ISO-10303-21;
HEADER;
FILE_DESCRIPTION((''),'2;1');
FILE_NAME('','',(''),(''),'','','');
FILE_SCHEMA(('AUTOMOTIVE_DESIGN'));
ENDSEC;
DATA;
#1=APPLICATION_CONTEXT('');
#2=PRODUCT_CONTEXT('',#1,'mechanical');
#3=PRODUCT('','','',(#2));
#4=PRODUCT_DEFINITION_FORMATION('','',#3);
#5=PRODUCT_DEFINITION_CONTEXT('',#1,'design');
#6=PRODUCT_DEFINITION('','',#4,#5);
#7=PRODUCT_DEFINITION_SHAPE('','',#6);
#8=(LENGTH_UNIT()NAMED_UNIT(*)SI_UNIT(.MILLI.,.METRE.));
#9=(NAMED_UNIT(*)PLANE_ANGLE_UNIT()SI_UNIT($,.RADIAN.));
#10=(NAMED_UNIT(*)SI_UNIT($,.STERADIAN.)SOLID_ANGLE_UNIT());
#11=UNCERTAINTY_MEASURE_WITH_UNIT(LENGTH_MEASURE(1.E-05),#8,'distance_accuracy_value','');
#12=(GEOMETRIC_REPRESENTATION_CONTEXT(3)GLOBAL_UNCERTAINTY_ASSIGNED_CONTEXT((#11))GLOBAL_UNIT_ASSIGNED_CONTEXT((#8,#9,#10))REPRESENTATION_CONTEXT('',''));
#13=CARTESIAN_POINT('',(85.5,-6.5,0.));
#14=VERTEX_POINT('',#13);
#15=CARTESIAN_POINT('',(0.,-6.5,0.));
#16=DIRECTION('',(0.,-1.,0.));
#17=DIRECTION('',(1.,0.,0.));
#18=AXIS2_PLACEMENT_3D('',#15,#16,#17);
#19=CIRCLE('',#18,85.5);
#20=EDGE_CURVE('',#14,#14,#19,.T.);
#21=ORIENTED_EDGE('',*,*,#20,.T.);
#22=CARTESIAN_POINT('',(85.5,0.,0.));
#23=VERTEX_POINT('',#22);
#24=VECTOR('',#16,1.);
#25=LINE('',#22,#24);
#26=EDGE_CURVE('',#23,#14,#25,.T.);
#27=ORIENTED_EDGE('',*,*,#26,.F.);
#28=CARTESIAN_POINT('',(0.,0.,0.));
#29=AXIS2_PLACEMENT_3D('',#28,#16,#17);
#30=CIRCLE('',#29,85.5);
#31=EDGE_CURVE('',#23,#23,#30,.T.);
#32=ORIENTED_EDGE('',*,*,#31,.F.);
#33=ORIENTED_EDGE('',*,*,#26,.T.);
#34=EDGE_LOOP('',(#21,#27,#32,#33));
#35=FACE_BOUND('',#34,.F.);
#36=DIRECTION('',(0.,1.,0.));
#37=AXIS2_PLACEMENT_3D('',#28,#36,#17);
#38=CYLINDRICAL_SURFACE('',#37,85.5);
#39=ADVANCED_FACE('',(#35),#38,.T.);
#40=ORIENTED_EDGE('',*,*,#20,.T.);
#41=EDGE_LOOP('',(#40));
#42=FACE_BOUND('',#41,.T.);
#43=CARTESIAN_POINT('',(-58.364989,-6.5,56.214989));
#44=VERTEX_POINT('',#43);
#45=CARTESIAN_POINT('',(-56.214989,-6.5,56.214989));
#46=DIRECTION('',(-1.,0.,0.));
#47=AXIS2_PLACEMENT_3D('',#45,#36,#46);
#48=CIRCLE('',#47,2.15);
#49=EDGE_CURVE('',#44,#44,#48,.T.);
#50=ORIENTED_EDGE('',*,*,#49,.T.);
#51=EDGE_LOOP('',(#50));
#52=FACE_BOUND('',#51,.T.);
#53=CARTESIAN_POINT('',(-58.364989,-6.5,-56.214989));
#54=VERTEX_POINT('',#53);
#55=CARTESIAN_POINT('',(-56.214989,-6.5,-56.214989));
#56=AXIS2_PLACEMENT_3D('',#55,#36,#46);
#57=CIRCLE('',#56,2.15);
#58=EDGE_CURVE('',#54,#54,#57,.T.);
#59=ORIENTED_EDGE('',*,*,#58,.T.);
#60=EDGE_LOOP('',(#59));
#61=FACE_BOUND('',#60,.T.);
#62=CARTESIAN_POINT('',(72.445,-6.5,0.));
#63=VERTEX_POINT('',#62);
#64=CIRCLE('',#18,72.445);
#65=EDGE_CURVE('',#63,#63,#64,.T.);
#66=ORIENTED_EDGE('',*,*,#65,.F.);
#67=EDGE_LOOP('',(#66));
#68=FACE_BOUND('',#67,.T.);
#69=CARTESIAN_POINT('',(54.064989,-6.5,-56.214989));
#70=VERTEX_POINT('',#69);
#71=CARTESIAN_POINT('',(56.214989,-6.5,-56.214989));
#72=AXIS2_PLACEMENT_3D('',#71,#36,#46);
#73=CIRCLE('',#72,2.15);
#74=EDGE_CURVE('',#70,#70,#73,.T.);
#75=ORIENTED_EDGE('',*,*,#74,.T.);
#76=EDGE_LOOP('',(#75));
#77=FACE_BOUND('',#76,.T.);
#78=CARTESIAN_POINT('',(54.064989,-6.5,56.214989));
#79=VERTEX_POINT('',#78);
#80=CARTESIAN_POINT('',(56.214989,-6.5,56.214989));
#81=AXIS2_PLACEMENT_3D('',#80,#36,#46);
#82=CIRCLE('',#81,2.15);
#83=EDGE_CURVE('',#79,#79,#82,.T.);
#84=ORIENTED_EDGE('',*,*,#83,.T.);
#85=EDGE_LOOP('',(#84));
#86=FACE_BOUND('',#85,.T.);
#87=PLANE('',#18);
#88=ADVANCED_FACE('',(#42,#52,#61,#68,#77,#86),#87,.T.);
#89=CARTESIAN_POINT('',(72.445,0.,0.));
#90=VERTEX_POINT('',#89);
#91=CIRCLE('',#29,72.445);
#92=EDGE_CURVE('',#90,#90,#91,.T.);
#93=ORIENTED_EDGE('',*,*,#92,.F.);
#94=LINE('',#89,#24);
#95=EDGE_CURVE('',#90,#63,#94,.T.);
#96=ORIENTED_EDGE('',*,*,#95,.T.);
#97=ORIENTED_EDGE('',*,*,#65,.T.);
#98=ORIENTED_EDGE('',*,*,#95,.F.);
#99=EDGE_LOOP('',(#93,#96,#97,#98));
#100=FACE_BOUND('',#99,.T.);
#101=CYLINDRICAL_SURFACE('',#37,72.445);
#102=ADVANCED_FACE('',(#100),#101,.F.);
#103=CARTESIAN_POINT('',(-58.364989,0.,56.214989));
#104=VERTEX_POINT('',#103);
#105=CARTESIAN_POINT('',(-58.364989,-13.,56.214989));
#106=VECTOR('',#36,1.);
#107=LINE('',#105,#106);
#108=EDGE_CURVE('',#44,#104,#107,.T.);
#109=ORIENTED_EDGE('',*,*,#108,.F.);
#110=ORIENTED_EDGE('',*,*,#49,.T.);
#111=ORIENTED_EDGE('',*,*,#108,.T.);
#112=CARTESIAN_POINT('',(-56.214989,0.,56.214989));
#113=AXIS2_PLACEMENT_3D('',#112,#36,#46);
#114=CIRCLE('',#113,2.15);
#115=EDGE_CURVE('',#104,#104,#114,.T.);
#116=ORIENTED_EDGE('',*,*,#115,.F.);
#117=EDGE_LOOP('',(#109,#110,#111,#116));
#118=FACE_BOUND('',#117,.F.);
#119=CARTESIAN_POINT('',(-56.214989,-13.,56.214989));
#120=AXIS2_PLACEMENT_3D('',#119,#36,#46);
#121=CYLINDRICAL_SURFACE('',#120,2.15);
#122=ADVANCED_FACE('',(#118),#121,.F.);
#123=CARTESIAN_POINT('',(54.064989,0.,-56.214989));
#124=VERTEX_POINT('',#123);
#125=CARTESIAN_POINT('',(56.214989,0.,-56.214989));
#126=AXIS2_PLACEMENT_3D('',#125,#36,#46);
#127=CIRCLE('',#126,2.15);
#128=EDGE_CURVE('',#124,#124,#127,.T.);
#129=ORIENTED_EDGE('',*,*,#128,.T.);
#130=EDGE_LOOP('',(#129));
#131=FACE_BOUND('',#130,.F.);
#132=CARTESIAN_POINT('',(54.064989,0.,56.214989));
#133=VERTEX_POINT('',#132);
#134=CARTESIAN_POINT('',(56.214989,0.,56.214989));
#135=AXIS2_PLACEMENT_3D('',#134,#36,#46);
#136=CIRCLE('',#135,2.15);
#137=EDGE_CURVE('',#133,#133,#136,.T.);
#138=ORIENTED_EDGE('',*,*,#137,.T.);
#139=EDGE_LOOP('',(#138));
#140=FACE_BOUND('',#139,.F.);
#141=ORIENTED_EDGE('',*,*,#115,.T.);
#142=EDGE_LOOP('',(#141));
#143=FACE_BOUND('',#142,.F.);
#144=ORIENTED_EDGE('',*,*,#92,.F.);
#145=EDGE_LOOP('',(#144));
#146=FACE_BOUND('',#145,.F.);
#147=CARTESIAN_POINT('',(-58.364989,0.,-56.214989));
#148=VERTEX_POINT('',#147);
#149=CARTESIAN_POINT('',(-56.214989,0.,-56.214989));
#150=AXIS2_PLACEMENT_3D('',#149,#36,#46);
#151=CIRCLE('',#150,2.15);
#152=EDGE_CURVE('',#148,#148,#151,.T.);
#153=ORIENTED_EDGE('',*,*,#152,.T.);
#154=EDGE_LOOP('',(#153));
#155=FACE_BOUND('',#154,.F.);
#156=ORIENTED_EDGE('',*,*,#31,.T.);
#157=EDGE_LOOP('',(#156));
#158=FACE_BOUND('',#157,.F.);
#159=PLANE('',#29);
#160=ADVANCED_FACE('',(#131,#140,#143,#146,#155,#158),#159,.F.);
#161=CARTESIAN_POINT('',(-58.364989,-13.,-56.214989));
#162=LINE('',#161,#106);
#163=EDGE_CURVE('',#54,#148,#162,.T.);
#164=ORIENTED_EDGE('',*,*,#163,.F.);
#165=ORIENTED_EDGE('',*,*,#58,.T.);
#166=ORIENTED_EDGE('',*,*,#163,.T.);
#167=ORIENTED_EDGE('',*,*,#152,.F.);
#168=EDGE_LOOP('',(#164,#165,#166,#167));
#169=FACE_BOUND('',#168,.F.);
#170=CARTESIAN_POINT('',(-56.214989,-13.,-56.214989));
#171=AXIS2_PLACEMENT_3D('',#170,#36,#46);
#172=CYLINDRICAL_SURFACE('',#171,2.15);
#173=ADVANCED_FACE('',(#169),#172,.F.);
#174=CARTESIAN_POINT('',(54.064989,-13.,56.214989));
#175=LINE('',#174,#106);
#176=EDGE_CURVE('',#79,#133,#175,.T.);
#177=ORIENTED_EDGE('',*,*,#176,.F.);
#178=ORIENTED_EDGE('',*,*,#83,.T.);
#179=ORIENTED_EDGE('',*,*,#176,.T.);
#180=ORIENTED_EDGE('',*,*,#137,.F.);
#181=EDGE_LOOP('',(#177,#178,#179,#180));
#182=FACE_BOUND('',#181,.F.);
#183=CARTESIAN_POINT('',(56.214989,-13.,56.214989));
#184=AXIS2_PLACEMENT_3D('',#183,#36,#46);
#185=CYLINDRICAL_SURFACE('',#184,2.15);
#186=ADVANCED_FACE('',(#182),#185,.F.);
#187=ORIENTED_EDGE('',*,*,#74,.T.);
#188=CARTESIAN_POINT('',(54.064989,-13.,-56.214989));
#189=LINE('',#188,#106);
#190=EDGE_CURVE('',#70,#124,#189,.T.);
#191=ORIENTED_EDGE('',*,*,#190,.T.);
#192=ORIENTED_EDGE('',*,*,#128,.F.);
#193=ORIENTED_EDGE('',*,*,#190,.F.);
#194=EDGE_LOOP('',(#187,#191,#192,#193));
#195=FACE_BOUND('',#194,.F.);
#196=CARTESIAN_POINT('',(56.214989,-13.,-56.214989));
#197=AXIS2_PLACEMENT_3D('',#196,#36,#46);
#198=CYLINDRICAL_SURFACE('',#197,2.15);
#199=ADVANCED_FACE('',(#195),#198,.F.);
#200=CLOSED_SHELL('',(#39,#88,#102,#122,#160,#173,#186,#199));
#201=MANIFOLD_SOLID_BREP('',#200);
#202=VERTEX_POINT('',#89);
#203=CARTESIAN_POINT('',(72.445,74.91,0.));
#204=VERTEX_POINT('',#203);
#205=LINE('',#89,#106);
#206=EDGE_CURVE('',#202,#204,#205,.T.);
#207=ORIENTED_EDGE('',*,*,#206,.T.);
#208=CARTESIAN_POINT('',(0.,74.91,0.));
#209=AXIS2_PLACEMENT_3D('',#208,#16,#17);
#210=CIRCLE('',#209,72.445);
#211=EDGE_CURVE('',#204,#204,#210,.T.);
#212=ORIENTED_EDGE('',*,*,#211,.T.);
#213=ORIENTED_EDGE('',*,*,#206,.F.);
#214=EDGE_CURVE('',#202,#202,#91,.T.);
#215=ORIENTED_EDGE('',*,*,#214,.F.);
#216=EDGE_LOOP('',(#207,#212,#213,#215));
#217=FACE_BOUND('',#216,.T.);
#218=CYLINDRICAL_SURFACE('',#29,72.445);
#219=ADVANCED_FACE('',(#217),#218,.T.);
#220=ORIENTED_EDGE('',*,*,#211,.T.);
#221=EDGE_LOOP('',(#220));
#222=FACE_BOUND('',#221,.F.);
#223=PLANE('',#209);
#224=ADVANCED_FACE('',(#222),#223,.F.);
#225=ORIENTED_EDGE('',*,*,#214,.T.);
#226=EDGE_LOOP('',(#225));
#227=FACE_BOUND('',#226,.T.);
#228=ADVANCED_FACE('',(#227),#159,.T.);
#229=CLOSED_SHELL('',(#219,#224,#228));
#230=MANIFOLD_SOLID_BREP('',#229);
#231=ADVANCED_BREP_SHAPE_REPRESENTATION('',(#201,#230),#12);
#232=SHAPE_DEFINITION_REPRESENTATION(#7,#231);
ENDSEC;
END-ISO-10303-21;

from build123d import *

# Parameters (mm, degrees)
F0_R     = 85.5
F0_R_2   = 79.5
F0_R_3   = 72.445
F1_DEPTH = 6.5
F3_DEPTH = 74.91
F4_D     = 4.3
F4_DEPTH = 6.5
F5_D     = 4.3
F5_DEPTH = 6.5
F6_D     = 4.3
F6_DEPTH = 6.5
F7_D     = 4.3
F7_DEPTH = 6.5


with BuildPart() as f1:
    # F0 (on Front) → F1 (new body)
    with BuildSketch(Plane.XZ):
        Circle(F0_R)
        Circle(F0_R_2, mode=Mode.SUBTRACT)
        Circle(F0_R_2)
        Circle(F0_R_3, mode=Mode.SUBTRACT)
    extrude(amount=F1_DEPTH)

    # F4
    with Locations(Plane.XZ.offset(6.5)):
        with Locations((-56.214989, 56.214989)):
            Hole(F4_D / 2, depth=F4_DEPTH)

    # F5
    with Locations(Plane.XZ.offset(6.5)):
        with Locations((56.214989, 56.214989)):
            Hole(F5_D / 2, depth=F5_DEPTH)

    # F6
    with Locations(Plane.XZ.offset(6.5)):
        with Locations((56.214989, -56.214989)):
            Hole(F6_D / 2, depth=F6_DEPTH)

    # F7
    with Locations(Plane.XZ.offset(6.5)):
        with Locations((-56.214989, -56.214989)):
            Hole(F7_D / 2, depth=F7_DEPTH)


with BuildPart() as f3:
    # F0 (on Front) → F3 (new body)
    with BuildSketch(Plane.XZ):
        Circle(F0_R_3)
    extrude(amount=-F3_DEPTH)


solid = Compound([f1.part, f3.part])
